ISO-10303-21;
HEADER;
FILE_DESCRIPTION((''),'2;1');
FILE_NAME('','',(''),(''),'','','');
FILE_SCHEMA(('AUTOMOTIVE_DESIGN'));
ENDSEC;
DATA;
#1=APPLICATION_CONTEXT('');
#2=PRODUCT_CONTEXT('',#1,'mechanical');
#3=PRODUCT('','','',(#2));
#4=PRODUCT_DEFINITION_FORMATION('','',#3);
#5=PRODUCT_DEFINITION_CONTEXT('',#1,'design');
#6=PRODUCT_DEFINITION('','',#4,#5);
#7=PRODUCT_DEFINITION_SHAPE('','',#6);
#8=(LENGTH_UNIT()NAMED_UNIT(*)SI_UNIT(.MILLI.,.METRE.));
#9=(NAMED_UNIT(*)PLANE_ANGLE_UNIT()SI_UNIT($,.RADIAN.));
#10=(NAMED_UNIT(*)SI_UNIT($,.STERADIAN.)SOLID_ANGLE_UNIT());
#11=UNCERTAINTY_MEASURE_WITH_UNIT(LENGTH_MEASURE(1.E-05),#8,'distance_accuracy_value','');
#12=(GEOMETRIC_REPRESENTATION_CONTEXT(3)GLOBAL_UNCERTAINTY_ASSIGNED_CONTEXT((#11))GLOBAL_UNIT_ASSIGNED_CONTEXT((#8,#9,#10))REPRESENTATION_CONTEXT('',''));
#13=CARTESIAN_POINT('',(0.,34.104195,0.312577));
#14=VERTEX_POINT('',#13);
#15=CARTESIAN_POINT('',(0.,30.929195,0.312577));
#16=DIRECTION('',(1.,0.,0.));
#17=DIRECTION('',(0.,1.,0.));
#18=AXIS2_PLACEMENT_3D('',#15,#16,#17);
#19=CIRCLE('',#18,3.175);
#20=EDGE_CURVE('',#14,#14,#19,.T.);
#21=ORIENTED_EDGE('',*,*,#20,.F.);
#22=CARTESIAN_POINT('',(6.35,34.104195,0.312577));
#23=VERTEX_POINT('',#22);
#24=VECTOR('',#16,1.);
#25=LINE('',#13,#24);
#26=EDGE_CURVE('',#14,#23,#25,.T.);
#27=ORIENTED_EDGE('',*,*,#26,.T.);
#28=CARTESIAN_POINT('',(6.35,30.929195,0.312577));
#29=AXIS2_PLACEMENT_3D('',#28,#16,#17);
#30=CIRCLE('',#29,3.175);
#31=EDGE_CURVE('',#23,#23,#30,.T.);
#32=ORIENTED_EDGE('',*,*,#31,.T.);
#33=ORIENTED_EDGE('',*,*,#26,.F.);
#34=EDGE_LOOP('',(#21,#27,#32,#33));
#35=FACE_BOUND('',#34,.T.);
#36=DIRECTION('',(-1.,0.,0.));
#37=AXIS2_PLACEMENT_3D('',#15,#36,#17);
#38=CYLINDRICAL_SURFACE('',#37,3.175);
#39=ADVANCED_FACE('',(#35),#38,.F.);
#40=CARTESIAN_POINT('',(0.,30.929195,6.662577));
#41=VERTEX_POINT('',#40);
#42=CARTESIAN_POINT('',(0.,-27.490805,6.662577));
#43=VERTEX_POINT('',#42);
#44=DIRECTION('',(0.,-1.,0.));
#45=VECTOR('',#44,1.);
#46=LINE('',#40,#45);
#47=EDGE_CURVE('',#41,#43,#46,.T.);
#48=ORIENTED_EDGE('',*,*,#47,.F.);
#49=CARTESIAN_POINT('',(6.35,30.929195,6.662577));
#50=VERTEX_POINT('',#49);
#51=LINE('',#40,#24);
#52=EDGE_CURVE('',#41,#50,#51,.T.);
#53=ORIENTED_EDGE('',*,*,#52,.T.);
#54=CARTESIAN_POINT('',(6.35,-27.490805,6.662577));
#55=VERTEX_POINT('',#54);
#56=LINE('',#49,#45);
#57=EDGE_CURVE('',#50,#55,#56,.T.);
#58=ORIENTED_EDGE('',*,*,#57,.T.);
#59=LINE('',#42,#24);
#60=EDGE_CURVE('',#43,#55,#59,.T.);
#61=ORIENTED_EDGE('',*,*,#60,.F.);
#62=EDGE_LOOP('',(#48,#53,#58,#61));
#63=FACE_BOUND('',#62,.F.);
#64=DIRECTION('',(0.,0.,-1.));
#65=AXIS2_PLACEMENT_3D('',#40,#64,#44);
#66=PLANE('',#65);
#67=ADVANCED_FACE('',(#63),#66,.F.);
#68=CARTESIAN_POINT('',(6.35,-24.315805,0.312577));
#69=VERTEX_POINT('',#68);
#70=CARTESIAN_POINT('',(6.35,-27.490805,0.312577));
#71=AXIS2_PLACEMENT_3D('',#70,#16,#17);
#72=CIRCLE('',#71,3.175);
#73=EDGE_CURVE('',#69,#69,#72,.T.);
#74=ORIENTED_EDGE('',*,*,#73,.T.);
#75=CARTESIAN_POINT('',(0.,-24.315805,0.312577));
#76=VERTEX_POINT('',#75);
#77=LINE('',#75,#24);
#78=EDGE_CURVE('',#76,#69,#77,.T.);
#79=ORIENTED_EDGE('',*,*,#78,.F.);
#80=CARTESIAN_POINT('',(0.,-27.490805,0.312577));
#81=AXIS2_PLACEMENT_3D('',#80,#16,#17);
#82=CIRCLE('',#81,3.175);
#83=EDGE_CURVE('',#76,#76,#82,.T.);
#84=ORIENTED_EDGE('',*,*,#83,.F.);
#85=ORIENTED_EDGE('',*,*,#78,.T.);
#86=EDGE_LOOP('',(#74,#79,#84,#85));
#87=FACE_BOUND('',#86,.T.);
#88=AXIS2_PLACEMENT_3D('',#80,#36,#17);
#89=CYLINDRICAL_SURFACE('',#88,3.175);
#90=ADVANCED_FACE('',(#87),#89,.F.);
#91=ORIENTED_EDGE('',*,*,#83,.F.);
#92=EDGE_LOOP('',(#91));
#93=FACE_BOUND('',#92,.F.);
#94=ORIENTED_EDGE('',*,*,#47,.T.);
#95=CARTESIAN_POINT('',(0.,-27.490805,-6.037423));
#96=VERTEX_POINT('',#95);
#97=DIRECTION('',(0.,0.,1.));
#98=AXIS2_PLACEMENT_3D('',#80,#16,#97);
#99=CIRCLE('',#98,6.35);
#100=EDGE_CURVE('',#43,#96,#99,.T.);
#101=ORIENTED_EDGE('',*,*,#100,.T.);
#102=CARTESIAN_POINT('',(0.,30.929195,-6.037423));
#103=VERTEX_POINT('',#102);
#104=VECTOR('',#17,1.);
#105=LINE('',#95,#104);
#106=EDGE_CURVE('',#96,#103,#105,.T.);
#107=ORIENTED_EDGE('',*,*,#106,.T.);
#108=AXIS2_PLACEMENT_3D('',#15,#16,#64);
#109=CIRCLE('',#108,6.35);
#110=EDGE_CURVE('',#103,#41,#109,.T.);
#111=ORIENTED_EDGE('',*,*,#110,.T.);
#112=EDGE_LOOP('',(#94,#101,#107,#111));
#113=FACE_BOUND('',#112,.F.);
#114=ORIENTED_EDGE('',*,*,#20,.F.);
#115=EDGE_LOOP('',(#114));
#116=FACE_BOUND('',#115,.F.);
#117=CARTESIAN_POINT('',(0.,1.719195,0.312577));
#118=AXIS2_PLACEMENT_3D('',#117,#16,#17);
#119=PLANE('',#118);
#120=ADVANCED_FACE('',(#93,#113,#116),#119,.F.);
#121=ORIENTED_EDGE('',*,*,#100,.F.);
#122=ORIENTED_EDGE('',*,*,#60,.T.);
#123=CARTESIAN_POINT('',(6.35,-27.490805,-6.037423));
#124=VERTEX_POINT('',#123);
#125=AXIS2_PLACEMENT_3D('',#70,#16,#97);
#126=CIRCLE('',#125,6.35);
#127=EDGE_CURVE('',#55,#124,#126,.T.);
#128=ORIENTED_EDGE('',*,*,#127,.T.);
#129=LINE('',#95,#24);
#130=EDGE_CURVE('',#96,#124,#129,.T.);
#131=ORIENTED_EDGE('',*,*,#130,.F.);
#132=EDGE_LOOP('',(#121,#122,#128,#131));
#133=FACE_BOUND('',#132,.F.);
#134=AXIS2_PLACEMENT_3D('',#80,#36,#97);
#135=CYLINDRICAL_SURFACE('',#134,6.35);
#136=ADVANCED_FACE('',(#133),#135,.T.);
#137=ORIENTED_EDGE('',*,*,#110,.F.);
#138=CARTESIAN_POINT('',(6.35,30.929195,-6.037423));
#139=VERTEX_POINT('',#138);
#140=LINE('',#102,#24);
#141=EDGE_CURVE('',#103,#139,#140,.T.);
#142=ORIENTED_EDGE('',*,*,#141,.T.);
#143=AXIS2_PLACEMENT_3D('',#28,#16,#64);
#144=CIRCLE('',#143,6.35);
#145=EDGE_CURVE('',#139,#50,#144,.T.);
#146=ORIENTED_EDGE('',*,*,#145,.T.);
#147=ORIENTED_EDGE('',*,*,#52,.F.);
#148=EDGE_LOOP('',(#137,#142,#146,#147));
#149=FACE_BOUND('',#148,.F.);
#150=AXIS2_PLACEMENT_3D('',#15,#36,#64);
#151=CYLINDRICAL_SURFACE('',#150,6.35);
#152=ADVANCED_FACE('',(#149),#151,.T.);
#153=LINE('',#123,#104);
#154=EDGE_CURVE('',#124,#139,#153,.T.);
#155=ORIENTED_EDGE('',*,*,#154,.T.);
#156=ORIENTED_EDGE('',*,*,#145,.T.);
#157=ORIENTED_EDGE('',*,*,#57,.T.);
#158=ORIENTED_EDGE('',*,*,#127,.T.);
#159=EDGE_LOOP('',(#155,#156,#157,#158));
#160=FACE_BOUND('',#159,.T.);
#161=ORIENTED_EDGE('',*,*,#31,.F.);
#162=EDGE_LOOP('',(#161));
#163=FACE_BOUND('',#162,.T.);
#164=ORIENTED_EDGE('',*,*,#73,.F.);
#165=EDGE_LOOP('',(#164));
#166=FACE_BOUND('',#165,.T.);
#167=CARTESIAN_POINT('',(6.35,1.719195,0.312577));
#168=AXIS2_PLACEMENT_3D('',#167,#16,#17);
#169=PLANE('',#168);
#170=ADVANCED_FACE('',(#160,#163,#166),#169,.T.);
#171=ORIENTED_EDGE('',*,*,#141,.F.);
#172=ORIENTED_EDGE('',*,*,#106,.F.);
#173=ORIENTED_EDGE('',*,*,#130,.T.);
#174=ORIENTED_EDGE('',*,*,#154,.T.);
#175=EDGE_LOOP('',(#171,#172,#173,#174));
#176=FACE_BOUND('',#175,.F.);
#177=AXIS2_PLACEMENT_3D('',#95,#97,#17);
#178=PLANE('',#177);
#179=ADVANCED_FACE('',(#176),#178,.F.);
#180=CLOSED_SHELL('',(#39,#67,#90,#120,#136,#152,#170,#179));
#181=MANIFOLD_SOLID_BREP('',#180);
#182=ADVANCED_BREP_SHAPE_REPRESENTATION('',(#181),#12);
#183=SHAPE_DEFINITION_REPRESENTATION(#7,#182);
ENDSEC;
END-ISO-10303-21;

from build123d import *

# Parameters (mm, degrees)
F0_R     = 3.175
F1_DEPTH = 6.35


with BuildPart() as f1:
    # F0 (on Right) → F1 (new body)
    with BuildSketch(Plane.YZ):
        with BuildLine():
            Line((30.929195, 6.662577), (-27.490805, 6.662577))
            ThreePointArc((-27.490805, 6.662577), (-33.840805, 0.312577), (-27.490805, -6.037423))
            Line((-27.490805, -6.037423), (30.929195, -6.037423))
            ThreePointArc((30.929195, -6.037423), (37.279195, 0.312577), (30.929195, 6.662577))
        make_face()
        with Locations((-27.490805, 0.312577)):
            Circle(F0_R, mode=Mode.SUBTRACT)
        with Locations((30.929195, 0.312577)):
            Circle(F0_R, mode=Mode.SUBTRACT)
    extrude(amount=F1_DEPTH)


solid = f1.part
